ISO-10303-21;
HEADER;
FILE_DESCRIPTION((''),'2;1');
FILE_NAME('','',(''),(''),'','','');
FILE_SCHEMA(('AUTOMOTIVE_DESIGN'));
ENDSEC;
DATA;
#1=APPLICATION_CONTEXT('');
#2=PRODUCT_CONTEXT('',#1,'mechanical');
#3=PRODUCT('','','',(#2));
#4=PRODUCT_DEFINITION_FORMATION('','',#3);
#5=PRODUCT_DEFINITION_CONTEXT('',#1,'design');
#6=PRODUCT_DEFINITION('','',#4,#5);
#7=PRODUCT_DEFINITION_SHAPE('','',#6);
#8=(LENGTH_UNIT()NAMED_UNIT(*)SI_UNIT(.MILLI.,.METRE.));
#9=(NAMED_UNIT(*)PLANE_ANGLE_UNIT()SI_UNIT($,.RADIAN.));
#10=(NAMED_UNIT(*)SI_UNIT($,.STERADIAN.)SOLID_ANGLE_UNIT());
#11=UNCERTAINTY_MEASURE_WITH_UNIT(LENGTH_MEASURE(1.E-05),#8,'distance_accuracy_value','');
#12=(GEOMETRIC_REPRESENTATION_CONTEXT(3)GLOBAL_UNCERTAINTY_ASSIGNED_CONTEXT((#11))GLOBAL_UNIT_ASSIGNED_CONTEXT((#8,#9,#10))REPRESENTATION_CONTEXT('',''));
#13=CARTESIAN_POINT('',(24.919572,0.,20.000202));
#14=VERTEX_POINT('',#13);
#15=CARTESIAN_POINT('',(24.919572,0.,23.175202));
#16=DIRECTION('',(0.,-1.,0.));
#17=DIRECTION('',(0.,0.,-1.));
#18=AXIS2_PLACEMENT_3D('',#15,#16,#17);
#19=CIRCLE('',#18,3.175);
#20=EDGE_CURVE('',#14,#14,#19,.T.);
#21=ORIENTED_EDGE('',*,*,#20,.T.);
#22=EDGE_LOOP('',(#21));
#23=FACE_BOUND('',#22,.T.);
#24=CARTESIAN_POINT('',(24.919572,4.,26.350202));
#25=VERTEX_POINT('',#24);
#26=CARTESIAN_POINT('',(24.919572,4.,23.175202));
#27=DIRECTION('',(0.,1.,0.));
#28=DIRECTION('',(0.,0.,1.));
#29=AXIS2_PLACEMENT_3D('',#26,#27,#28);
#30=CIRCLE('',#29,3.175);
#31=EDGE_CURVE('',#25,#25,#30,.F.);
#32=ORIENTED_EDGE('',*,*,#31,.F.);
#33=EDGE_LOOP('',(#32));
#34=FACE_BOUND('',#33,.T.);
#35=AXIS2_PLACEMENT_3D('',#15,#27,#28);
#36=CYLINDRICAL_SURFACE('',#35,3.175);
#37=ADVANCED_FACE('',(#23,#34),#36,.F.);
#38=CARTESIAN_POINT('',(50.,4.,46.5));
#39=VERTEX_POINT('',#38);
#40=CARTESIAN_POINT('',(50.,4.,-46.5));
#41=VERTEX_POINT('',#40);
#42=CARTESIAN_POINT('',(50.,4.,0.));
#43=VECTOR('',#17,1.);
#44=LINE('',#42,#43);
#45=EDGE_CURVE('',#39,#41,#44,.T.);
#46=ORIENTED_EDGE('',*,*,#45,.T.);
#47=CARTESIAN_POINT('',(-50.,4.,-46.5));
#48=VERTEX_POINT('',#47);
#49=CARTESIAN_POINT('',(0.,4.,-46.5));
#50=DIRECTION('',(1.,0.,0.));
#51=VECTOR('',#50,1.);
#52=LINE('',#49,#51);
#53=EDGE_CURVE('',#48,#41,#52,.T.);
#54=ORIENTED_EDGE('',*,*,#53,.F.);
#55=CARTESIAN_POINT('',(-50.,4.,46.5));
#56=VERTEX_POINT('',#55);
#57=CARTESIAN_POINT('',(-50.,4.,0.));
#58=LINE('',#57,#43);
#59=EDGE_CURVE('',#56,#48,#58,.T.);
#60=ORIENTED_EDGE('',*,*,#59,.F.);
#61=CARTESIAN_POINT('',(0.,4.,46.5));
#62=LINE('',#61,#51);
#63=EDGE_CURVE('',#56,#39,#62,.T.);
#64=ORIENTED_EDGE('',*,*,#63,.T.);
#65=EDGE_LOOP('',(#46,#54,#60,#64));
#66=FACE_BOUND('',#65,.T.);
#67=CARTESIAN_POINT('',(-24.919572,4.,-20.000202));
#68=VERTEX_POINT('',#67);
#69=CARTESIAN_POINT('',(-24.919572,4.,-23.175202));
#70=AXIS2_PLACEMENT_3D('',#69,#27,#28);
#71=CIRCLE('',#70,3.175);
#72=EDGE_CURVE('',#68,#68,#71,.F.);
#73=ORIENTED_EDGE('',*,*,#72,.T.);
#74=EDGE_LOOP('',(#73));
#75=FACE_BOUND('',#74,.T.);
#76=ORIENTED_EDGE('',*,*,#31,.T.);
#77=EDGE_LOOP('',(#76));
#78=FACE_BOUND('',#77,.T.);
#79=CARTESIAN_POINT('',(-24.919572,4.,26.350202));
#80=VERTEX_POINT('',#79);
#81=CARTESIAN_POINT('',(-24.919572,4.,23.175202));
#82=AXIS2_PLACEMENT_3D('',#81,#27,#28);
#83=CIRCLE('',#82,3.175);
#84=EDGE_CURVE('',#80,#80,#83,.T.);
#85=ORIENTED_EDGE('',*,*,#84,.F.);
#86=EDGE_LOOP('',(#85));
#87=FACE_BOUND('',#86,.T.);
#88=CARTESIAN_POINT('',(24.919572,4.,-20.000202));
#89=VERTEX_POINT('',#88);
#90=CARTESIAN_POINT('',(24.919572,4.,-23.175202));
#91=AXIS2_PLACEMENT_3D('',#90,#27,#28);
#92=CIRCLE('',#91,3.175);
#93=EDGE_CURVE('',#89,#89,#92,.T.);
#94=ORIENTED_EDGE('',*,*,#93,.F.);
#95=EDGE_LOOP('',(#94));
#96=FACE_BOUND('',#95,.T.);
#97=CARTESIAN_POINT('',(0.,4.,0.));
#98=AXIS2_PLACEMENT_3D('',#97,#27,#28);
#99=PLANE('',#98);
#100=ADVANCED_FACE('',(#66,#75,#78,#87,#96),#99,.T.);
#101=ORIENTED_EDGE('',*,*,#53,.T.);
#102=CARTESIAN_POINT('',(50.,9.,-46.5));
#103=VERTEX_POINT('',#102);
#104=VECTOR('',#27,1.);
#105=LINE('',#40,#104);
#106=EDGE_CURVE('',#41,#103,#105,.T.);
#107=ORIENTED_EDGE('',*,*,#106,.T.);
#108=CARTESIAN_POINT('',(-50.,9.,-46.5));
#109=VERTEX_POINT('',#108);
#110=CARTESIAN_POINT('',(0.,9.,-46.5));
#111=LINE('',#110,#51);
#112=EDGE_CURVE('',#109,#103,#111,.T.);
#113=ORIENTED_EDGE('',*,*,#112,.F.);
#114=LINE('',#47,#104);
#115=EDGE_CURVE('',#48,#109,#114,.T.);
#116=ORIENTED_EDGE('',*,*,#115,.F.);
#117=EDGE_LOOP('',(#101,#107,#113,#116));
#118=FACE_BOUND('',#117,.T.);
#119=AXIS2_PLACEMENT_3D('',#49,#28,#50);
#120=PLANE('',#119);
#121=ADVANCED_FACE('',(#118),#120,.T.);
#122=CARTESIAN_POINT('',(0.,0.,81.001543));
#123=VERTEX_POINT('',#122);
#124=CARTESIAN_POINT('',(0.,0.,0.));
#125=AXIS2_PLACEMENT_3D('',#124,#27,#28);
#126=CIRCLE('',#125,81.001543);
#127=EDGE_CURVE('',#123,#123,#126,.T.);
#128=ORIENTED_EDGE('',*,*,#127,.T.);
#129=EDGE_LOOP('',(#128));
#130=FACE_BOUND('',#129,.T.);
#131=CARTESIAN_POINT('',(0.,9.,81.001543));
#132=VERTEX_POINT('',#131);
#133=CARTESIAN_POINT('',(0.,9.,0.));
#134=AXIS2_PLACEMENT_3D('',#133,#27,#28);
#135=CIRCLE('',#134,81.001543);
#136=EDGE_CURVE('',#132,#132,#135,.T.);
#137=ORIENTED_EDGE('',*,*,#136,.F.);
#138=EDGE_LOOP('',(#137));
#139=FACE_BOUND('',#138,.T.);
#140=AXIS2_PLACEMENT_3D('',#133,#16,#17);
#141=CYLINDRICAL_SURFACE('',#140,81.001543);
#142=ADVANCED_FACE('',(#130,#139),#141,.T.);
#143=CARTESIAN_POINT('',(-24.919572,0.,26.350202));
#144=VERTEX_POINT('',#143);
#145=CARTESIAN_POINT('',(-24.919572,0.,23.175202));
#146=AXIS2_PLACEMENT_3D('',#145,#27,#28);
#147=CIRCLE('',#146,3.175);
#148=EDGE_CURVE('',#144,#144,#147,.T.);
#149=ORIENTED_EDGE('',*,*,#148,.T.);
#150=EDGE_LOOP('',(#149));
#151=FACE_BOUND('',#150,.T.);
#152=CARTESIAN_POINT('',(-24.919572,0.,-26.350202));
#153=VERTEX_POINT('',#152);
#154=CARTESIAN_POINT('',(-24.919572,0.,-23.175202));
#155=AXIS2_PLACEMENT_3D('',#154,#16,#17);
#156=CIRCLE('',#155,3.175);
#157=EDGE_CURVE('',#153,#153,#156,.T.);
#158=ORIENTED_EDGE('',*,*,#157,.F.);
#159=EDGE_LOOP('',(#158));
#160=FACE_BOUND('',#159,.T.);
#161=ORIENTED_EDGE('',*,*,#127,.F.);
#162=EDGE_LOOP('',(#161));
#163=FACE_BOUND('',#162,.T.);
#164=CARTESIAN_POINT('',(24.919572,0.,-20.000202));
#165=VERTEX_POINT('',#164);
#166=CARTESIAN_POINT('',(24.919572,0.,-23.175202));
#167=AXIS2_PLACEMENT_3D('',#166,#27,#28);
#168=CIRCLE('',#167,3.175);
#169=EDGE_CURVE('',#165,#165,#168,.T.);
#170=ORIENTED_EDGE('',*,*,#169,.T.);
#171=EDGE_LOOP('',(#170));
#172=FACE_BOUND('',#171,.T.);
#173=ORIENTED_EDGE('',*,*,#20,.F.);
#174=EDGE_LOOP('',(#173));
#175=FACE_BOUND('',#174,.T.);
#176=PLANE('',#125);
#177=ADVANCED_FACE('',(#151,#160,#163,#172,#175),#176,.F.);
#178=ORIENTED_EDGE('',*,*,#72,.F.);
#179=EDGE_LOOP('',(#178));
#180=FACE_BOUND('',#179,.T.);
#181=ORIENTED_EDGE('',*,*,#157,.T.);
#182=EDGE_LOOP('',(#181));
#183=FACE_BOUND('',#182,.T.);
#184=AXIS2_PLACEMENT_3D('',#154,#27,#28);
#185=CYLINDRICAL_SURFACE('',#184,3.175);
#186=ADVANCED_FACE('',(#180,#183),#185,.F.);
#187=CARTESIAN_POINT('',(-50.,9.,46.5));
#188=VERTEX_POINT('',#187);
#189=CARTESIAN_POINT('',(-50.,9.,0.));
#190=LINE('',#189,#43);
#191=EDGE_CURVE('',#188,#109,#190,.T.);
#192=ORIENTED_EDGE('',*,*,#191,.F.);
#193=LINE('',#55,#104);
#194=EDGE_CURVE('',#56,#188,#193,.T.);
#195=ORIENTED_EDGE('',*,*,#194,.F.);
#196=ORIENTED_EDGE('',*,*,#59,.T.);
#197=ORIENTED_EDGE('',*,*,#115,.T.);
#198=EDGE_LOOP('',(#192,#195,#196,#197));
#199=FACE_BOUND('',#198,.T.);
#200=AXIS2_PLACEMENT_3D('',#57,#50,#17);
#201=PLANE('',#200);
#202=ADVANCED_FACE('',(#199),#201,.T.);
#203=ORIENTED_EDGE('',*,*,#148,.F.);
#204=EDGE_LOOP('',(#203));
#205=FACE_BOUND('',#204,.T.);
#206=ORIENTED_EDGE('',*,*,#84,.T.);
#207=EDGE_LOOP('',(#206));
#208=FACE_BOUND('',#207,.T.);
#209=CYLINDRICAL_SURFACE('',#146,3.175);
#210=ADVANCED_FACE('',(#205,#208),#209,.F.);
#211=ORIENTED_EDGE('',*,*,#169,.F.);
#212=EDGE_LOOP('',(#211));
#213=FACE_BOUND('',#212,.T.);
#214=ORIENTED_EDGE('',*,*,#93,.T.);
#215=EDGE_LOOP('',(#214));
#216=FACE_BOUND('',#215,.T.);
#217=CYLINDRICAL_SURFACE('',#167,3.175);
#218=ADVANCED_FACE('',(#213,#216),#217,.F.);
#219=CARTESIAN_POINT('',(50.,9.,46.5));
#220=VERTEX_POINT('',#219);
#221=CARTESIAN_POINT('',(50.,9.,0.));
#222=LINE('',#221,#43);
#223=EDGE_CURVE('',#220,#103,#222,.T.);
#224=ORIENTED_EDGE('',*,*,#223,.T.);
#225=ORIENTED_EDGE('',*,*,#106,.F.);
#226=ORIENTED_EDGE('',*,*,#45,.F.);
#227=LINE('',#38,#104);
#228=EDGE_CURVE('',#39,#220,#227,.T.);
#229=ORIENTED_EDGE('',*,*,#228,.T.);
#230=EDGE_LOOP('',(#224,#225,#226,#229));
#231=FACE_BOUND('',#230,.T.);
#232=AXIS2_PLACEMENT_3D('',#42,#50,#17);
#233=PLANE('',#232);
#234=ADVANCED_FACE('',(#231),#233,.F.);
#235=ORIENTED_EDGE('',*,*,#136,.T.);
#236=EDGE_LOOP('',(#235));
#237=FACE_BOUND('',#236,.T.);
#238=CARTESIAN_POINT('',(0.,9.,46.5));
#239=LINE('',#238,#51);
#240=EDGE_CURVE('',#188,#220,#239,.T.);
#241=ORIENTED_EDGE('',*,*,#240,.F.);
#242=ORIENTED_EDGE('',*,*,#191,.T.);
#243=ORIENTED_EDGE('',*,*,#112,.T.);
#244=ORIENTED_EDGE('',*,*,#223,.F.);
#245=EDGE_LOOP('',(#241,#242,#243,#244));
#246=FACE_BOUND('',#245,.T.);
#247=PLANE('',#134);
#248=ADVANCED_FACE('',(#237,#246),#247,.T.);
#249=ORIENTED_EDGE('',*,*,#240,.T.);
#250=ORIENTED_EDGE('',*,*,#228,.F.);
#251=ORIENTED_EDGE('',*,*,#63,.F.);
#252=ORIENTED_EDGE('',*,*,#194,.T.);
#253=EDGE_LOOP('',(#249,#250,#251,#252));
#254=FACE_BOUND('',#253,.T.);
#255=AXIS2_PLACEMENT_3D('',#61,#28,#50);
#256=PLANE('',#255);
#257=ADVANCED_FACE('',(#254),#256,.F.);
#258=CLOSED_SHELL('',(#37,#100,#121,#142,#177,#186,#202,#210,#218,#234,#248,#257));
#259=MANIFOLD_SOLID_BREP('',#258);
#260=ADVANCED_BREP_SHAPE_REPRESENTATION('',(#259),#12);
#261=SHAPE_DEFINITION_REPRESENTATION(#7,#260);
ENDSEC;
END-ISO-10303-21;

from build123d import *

# Parameters (mm, degrees)
SKETCH1_R           = 81.001543195
BOSS_EXTRUDE1_DEPTH = 9
SKETCH2_W           = 100
SKETCH2_H           = 93
SKETCH2_R           = 3.175
CUT_EXTRUDE1_DEPTH  = 5
SKETCH2_3_R         = 3.175
CUT_EXTRUDE2_DEPTH  = 115.906483716


with BuildPart() as part:
    # Sketch1 → Boss-Extrude1 (new body)
    with BuildSketch(Plane(origin=(0, 0, 0), x_dir=(1, 0, 0), z_dir=(0, 1, 0))):
        Circle(SKETCH1_R)
    extrude(amount=BOSS_EXTRUDE1_DEPTH)

    # Sketch2 → Cut-Extrude1 (cut)
    with BuildSketch(Plane(origin=(0, 9, 0), x_dir=(1, 0, 0), z_dir=(0, 1, 0))):
        Rectangle(SKETCH2_W, SKETCH2_H)
        with Locations((-24.919571738, -23.175201717)):
            Circle(SKETCH2_R, mode=Mode.SUBTRACT)
        with Locations((24.919571738, -23.175201717)):
            Circle(SKETCH2_R, mode=Mode.SUBTRACT)
        with Locations((-24.919571738, 23.175201717)):
            Circle(SKETCH2_R, mode=Mode.SUBTRACT)
        with Locations((24.919571738, 23.175201717)):
            Circle(SKETCH2_R, mode=Mode.SUBTRACT)
    extrude(amount=-CUT_EXTRUDE1_DEPTH, mode=Mode.SUBTRACT)

    # Sketch2<3> → Cut-Extrude2 (cut, through all)
    with BuildSketch(Plane(origin=(0, 9, 0), x_dir=(1, 0, 0), z_dir=(0, 1, 0))):
        with Locations((-24.919571738, -23.175201717)):
            Circle(SKETCH2_3_R)
        with Locations((24.919571738, -23.175201717)):
            Circle(SKETCH2_3_R)
        with Locations((24.919571738, 23.175201717)):
            Circle(SKETCH2_3_R)
        with Locations((-24.919571738, 23.175201717)):
            Circle(SKETCH2_3_R)
    extrude(amount=-CUT_EXTRUDE2_DEPTH, mode=Mode.SUBTRACT)


solid = part.part
